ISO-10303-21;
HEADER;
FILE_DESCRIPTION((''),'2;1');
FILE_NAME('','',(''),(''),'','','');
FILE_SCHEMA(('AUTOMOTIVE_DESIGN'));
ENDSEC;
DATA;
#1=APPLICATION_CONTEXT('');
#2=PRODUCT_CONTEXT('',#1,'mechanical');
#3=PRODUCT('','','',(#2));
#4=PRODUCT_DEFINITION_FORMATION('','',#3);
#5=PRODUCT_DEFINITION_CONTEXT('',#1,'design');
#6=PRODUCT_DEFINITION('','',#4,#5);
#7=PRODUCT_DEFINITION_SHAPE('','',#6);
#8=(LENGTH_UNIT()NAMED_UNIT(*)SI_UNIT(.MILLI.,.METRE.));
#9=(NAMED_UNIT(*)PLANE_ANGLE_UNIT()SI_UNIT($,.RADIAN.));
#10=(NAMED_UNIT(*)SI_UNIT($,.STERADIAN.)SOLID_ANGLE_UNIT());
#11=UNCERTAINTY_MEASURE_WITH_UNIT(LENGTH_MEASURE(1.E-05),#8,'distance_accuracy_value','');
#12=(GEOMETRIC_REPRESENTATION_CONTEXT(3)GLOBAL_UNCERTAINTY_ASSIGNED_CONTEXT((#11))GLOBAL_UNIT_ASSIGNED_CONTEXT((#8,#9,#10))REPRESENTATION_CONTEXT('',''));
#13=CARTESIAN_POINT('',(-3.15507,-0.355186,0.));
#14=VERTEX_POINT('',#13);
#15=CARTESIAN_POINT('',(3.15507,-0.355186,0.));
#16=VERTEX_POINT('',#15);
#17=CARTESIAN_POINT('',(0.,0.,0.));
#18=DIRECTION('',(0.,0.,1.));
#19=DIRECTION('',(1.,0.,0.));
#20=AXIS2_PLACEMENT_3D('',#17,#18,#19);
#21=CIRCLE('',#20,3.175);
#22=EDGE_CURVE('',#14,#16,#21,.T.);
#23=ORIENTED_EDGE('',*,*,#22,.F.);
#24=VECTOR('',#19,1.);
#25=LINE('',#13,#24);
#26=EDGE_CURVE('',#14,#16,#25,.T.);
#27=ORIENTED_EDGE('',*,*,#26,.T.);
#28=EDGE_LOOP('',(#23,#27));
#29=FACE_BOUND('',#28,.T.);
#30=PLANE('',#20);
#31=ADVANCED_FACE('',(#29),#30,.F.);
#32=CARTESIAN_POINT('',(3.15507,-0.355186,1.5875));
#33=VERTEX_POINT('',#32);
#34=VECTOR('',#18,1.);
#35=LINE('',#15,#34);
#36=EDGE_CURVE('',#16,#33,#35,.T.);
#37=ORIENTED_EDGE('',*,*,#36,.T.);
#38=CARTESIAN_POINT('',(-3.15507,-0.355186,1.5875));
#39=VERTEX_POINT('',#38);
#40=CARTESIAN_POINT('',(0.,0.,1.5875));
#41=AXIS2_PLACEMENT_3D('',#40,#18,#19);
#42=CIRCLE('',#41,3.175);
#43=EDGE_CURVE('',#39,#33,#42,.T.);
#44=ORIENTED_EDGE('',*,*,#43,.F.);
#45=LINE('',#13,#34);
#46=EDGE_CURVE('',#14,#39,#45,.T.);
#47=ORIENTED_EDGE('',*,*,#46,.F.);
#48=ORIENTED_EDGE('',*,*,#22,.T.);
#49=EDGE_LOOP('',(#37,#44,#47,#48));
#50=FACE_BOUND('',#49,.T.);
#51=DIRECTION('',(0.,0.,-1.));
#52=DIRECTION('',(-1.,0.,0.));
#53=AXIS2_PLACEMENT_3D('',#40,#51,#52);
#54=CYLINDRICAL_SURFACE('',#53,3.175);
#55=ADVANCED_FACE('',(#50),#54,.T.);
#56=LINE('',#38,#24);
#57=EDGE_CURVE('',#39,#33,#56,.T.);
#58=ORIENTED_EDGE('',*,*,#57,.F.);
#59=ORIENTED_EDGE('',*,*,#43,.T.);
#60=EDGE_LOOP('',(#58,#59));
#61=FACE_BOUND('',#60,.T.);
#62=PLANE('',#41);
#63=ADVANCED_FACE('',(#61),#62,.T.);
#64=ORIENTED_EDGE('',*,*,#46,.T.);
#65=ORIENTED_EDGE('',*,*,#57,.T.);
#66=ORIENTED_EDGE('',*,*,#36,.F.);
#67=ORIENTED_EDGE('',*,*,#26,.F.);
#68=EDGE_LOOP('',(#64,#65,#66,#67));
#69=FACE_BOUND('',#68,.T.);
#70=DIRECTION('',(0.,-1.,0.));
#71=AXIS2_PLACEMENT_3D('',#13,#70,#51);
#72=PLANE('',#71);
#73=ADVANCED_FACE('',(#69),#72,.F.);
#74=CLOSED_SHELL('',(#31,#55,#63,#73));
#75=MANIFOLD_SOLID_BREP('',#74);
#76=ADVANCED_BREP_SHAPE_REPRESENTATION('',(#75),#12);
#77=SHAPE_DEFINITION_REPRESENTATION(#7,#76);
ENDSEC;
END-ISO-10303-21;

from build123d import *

# Parameters (mm, degrees)
SKETCH1_R      = 3.175
EXTRUDE1_DEPTH = 1.5875
EXTRUDE2_DEPTH = 2.5875


with BuildPart() as part:
    # Sketch1 → Extrude1 (new body)
    with BuildSketch(Plane.XY):
        Circle(SKETCH1_R)
    extrude(amount=EXTRUDE1_DEPTH)

    # Sketch2 → Extrude2 (cut, through all)
    with BuildSketch(Plane.XY.offset(1.5875)):
        with BuildLine():
            Line((-3.155070197, -0.355185939), (3.155070197, -0.355185939))
            ThreePointArc((3.155070197, -0.355185939), (0, 3.175), (-3.155070197, -0.355185939))
        make_face()
    extrude(amount=-EXTRUDE2_DEPTH, mode=Mode.SUBTRACT)


solid = part.part
